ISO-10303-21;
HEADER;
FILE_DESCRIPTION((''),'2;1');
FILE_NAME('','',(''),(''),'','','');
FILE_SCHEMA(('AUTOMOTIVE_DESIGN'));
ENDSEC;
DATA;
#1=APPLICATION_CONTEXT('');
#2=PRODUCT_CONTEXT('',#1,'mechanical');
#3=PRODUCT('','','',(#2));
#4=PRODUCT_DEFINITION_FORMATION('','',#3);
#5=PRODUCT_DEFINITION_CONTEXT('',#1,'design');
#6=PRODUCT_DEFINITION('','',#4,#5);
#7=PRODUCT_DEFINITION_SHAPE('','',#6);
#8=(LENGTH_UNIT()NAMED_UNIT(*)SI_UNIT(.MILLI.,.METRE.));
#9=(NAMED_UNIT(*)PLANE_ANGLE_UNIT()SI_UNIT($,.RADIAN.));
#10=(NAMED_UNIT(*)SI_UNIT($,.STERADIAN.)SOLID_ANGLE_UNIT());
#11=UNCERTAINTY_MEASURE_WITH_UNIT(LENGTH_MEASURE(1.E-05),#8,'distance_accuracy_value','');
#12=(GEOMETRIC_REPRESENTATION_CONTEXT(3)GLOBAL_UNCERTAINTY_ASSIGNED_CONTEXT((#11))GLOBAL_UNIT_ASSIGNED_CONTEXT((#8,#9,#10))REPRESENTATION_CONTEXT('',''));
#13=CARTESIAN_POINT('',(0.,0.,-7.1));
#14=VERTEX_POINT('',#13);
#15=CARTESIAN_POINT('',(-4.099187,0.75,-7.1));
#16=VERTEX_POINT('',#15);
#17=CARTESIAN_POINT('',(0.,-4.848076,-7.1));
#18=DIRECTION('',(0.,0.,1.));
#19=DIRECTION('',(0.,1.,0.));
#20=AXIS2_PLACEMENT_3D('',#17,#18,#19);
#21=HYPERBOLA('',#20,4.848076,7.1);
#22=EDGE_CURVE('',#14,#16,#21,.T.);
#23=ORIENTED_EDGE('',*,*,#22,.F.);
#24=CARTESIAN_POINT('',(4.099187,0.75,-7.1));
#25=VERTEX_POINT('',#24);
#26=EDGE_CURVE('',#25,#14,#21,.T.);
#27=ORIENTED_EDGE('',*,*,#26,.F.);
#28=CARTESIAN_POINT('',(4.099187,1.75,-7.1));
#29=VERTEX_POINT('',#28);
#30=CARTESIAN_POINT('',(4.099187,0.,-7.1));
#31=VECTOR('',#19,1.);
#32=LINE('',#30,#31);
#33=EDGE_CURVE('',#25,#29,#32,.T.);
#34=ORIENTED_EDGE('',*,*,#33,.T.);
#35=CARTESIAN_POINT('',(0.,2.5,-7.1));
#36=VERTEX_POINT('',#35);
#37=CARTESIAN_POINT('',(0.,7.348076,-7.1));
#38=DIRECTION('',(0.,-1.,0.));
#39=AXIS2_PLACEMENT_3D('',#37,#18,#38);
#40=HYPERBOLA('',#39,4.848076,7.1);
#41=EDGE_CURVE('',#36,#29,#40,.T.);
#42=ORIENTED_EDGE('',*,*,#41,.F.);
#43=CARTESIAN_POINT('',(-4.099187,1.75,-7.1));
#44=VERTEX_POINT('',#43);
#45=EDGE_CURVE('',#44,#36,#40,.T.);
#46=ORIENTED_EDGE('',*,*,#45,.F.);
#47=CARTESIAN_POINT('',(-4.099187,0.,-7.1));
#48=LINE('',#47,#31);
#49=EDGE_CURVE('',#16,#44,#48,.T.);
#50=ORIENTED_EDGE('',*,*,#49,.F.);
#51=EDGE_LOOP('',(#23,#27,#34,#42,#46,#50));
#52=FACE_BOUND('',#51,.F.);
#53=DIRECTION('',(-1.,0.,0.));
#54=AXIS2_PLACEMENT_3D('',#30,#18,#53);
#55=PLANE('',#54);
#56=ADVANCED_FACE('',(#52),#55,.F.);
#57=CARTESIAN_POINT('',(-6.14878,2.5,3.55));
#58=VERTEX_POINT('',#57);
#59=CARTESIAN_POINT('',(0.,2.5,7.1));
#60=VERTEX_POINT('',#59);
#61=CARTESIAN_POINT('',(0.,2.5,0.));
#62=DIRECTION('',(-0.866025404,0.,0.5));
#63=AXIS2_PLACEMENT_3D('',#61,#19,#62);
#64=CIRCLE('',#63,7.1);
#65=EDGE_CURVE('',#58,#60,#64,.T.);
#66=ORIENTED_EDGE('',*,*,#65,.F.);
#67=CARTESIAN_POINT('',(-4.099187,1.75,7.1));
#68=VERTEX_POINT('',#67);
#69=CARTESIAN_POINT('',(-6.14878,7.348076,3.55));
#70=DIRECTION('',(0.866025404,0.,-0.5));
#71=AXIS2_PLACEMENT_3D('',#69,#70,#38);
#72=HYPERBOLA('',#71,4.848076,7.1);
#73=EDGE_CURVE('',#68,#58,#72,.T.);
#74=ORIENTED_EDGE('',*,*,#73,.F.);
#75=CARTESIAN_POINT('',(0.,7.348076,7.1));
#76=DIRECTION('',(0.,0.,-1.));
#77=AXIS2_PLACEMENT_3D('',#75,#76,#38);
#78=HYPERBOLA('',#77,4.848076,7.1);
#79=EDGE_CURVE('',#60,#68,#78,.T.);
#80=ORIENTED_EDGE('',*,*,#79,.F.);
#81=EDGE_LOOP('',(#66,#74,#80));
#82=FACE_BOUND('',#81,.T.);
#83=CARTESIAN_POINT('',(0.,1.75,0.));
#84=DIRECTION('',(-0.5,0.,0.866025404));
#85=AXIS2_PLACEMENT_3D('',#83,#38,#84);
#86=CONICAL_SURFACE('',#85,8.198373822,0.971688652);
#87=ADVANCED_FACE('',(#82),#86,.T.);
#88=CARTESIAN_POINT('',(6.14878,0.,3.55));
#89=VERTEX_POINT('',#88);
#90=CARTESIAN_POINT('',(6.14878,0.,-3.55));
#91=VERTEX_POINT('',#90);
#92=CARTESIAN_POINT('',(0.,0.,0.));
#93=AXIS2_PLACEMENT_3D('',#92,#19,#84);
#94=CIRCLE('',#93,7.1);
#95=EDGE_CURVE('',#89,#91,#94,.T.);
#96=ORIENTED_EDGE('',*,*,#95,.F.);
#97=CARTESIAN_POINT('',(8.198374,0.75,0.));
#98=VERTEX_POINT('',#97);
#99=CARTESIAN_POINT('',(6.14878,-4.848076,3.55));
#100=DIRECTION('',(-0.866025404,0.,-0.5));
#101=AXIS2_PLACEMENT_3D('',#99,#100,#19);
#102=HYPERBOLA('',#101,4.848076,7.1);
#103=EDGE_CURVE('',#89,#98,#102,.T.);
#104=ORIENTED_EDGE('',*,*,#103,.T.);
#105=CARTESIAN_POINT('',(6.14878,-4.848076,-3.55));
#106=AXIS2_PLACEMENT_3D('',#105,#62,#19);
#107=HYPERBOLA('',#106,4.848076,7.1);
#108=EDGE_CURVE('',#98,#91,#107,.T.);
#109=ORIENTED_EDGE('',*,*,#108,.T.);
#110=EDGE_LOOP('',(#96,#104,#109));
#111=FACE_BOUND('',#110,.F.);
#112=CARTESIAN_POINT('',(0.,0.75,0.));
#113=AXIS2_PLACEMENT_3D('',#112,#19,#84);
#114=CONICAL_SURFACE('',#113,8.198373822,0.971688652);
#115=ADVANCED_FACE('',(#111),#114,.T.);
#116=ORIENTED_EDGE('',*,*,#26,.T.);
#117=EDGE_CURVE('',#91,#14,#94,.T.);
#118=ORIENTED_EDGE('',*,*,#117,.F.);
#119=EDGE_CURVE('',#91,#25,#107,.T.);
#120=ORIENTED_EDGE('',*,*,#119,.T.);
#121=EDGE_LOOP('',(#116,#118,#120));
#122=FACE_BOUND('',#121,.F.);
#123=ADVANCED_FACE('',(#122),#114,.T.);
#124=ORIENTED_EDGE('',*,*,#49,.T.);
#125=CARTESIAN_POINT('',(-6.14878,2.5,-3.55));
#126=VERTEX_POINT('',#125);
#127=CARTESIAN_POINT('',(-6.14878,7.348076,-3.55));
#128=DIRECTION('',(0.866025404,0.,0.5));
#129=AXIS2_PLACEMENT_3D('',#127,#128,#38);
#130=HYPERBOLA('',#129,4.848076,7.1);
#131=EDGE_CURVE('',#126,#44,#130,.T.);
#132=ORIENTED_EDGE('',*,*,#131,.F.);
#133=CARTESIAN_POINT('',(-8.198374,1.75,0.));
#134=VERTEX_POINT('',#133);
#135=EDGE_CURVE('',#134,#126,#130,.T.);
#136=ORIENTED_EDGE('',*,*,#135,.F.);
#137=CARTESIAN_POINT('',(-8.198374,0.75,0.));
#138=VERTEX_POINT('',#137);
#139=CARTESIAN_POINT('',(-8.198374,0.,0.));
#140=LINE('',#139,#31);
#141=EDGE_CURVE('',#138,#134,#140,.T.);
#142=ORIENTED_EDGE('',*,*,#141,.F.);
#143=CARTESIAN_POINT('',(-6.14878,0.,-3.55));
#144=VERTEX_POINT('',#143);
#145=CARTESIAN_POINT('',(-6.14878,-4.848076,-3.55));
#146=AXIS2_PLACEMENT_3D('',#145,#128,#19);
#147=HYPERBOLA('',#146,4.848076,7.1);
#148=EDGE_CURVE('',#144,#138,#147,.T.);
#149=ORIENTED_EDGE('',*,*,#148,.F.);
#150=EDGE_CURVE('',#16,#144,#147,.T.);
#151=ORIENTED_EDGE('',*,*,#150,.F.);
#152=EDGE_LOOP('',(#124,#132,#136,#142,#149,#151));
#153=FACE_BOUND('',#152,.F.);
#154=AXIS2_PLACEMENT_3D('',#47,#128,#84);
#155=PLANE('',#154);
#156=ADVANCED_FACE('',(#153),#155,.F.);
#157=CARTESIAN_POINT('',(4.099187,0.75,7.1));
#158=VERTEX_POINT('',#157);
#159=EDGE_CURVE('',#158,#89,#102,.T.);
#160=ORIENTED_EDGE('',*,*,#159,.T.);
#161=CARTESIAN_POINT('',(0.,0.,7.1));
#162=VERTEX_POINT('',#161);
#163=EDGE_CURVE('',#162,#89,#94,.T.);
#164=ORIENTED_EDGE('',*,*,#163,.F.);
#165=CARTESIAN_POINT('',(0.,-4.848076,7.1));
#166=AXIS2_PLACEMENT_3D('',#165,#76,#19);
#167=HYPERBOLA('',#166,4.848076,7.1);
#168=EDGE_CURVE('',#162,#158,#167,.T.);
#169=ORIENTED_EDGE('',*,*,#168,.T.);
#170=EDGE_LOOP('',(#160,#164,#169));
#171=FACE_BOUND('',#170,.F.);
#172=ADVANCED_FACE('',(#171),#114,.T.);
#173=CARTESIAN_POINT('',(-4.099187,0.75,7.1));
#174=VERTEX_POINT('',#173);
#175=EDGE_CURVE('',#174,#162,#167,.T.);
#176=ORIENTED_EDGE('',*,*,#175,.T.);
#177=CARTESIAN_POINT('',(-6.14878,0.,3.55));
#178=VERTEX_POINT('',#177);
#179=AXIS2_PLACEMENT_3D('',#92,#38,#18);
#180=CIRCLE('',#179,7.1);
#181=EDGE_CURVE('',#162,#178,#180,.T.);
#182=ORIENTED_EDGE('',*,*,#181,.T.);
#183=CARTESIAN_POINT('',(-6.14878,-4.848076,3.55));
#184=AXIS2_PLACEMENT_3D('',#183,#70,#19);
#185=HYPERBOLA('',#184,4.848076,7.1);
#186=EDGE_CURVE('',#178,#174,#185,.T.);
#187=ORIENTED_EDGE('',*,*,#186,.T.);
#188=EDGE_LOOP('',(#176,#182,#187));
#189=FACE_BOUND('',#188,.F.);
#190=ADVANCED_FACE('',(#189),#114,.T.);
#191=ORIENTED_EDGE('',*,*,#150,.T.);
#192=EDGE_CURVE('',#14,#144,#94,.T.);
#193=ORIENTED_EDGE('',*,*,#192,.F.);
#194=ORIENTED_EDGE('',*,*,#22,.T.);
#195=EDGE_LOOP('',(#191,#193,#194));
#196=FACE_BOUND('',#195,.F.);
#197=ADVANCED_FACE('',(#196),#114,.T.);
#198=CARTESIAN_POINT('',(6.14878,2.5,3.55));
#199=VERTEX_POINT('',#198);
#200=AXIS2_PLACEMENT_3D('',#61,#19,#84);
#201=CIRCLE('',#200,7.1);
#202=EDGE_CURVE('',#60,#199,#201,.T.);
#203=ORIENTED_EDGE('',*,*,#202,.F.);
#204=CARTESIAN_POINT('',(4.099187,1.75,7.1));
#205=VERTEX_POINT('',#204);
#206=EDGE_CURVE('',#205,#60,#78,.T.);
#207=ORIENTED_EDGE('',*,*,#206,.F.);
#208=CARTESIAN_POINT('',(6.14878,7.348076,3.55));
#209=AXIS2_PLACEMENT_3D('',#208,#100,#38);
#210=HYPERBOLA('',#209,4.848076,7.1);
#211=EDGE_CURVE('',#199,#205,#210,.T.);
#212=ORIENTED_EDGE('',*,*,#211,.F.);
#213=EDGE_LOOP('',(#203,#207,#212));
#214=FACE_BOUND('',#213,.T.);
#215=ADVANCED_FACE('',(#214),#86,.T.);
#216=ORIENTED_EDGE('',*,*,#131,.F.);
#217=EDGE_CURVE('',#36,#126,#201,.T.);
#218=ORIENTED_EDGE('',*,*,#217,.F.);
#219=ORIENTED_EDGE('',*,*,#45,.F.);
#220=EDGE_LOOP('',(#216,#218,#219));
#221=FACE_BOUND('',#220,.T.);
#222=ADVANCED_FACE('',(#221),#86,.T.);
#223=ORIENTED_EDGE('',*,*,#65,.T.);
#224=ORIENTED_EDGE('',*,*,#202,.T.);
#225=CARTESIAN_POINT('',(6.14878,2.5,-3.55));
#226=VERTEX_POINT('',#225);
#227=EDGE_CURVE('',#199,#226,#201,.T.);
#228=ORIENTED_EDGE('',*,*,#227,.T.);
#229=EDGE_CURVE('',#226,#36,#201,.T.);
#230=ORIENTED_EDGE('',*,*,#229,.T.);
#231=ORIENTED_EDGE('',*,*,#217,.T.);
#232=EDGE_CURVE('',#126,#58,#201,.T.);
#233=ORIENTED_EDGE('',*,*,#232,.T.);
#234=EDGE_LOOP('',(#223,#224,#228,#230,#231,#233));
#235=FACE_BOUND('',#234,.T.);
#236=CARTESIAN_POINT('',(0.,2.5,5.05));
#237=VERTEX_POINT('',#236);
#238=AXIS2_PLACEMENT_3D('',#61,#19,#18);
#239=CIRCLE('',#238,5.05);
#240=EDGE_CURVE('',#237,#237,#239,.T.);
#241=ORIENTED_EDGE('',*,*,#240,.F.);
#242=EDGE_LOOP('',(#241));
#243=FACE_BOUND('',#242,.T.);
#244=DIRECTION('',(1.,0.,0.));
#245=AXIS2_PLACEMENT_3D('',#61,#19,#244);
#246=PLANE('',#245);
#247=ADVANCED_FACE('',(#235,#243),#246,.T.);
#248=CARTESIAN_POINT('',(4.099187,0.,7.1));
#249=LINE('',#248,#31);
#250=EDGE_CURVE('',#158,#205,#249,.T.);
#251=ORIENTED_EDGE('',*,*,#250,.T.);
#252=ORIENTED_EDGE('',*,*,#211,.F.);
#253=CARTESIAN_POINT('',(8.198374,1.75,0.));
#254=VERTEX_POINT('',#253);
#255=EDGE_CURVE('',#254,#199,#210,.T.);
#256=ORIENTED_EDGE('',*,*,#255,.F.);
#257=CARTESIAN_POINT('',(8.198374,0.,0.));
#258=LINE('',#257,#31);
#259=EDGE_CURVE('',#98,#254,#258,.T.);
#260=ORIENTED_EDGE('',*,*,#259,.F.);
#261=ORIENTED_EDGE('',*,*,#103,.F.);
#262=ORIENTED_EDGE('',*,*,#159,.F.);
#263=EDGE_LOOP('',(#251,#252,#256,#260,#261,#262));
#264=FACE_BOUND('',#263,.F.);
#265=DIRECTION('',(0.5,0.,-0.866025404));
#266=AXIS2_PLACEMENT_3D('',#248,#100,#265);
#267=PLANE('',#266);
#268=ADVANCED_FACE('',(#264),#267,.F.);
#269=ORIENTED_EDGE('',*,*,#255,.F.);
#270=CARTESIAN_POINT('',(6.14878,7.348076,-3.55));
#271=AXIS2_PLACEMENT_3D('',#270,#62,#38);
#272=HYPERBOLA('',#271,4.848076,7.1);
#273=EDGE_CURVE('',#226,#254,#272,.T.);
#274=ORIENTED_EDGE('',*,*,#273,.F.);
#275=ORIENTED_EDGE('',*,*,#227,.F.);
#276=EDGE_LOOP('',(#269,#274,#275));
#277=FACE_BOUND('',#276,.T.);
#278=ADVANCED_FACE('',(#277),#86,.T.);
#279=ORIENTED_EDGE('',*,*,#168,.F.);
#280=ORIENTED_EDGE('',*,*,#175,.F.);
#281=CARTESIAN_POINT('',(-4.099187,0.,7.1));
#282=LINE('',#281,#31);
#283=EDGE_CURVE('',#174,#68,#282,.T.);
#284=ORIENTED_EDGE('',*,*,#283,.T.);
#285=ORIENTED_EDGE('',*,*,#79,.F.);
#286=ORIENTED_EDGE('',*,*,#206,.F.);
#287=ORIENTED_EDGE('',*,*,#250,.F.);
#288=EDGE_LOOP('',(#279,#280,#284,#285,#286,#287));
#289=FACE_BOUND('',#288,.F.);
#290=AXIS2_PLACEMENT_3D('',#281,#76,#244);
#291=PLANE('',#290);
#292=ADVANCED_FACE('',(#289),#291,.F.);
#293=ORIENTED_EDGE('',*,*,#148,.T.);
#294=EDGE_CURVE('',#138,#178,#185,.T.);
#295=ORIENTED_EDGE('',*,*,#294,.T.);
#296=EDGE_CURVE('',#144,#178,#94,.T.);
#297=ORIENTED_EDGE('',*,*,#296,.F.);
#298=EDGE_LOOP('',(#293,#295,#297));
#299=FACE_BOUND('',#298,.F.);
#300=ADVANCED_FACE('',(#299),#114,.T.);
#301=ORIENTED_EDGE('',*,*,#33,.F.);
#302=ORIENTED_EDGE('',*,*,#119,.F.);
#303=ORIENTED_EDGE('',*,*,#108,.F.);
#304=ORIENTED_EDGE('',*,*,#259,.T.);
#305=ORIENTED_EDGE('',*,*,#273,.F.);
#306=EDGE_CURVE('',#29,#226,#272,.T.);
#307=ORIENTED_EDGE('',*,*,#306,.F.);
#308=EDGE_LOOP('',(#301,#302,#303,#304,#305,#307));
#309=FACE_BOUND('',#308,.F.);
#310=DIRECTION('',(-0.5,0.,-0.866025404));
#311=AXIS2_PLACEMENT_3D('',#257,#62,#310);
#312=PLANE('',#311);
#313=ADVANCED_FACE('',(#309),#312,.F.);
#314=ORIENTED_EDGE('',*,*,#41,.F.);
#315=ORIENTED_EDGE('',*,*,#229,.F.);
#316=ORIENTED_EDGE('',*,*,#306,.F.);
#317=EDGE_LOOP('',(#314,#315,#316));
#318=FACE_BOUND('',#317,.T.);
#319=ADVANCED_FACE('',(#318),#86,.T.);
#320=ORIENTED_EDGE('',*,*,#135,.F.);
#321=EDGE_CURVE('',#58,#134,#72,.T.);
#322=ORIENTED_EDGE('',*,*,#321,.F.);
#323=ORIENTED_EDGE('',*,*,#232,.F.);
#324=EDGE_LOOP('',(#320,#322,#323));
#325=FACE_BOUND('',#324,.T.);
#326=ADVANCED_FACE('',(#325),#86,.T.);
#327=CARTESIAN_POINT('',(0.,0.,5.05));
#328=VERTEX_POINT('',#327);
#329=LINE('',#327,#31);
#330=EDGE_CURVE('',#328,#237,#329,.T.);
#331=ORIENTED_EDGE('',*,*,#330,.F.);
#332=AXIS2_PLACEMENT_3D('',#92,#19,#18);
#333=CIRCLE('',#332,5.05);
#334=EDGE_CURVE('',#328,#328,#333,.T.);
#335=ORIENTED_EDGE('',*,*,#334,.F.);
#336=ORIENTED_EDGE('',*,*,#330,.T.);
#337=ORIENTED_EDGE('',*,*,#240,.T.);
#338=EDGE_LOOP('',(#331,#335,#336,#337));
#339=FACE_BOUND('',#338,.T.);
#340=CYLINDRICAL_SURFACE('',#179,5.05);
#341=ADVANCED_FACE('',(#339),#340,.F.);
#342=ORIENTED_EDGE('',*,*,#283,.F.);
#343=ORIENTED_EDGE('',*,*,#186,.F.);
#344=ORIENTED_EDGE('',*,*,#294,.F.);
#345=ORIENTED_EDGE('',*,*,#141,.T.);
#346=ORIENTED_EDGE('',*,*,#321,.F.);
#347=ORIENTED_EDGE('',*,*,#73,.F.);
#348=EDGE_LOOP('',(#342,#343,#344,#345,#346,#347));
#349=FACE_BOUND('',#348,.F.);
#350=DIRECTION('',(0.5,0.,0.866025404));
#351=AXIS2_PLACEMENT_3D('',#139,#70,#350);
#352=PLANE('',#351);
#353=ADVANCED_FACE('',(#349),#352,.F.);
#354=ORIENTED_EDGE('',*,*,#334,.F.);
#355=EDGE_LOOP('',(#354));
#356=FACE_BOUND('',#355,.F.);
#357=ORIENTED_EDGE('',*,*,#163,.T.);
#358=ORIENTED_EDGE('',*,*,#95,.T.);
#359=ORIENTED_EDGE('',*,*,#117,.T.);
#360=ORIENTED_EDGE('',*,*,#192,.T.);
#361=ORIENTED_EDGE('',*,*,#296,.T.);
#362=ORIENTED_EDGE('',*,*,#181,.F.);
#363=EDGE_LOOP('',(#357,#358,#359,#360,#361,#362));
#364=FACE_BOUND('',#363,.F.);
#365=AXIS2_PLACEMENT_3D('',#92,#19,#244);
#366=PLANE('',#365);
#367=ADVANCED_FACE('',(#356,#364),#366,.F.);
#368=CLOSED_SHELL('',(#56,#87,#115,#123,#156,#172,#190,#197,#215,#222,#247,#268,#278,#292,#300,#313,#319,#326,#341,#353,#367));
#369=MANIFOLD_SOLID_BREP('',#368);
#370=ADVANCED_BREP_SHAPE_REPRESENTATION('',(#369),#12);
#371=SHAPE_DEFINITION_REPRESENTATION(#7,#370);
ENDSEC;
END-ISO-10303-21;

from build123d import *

# Parameters (mm, degrees)
SKIZZE1_R                       = 5.05
AUFSATZ_LINEAR_AUSTRAGEN1_DEPTH = 2.5


with BuildPart() as part:
    # Skizze1 → Aufsatz-Linear austragen1 (new body)
    with BuildSketch(Plane(origin=(0, 0, 0), x_dir=(1, 0, 0), z_dir=(0, 1, 0))):
        Polygon((8.198373822, 0), (4.099186911, 7.1), (-4.099186911, 7.1), (-8.198373822, 0), (-4.099186911, -7.1), (4.099186911, -7.1), align=None)
        with Locations(Location((0, 0, 0), (0, 0, 270))):
            Circle(SKIZZE1_R, mode=Mode.SUBTRACT)
    extrude(amount=AUFSATZ_LINEAR_AUSTRAGEN1_DEPTH)

    # Skizze4 → Schnitt-Rotation1 (revolve, cut)
    with BuildSketch(Plane(origin=(0, 0, 0), x_dir=(0.49999999999999506, 0, -0.8660254037844415), z_dir=(0.8660254037844415, 0, 0.49999999999999506))):
        Polygon((-8.198373822, 0.75), (-7.1, 0), (-8.198373822, 0), align=None)
    schnitt_rotation1 = revolve(axis=Axis((0, 0, 0), (0, 1, 0)), mode=Mode.SUBTRACT)

    # Spiegeln1: Schnitt-Rotation1 across plane
    add(schnitt_rotation1.mirror(Plane.ZX.offset(1.25)), mode=Mode.SUBTRACT)


solid = part.part
